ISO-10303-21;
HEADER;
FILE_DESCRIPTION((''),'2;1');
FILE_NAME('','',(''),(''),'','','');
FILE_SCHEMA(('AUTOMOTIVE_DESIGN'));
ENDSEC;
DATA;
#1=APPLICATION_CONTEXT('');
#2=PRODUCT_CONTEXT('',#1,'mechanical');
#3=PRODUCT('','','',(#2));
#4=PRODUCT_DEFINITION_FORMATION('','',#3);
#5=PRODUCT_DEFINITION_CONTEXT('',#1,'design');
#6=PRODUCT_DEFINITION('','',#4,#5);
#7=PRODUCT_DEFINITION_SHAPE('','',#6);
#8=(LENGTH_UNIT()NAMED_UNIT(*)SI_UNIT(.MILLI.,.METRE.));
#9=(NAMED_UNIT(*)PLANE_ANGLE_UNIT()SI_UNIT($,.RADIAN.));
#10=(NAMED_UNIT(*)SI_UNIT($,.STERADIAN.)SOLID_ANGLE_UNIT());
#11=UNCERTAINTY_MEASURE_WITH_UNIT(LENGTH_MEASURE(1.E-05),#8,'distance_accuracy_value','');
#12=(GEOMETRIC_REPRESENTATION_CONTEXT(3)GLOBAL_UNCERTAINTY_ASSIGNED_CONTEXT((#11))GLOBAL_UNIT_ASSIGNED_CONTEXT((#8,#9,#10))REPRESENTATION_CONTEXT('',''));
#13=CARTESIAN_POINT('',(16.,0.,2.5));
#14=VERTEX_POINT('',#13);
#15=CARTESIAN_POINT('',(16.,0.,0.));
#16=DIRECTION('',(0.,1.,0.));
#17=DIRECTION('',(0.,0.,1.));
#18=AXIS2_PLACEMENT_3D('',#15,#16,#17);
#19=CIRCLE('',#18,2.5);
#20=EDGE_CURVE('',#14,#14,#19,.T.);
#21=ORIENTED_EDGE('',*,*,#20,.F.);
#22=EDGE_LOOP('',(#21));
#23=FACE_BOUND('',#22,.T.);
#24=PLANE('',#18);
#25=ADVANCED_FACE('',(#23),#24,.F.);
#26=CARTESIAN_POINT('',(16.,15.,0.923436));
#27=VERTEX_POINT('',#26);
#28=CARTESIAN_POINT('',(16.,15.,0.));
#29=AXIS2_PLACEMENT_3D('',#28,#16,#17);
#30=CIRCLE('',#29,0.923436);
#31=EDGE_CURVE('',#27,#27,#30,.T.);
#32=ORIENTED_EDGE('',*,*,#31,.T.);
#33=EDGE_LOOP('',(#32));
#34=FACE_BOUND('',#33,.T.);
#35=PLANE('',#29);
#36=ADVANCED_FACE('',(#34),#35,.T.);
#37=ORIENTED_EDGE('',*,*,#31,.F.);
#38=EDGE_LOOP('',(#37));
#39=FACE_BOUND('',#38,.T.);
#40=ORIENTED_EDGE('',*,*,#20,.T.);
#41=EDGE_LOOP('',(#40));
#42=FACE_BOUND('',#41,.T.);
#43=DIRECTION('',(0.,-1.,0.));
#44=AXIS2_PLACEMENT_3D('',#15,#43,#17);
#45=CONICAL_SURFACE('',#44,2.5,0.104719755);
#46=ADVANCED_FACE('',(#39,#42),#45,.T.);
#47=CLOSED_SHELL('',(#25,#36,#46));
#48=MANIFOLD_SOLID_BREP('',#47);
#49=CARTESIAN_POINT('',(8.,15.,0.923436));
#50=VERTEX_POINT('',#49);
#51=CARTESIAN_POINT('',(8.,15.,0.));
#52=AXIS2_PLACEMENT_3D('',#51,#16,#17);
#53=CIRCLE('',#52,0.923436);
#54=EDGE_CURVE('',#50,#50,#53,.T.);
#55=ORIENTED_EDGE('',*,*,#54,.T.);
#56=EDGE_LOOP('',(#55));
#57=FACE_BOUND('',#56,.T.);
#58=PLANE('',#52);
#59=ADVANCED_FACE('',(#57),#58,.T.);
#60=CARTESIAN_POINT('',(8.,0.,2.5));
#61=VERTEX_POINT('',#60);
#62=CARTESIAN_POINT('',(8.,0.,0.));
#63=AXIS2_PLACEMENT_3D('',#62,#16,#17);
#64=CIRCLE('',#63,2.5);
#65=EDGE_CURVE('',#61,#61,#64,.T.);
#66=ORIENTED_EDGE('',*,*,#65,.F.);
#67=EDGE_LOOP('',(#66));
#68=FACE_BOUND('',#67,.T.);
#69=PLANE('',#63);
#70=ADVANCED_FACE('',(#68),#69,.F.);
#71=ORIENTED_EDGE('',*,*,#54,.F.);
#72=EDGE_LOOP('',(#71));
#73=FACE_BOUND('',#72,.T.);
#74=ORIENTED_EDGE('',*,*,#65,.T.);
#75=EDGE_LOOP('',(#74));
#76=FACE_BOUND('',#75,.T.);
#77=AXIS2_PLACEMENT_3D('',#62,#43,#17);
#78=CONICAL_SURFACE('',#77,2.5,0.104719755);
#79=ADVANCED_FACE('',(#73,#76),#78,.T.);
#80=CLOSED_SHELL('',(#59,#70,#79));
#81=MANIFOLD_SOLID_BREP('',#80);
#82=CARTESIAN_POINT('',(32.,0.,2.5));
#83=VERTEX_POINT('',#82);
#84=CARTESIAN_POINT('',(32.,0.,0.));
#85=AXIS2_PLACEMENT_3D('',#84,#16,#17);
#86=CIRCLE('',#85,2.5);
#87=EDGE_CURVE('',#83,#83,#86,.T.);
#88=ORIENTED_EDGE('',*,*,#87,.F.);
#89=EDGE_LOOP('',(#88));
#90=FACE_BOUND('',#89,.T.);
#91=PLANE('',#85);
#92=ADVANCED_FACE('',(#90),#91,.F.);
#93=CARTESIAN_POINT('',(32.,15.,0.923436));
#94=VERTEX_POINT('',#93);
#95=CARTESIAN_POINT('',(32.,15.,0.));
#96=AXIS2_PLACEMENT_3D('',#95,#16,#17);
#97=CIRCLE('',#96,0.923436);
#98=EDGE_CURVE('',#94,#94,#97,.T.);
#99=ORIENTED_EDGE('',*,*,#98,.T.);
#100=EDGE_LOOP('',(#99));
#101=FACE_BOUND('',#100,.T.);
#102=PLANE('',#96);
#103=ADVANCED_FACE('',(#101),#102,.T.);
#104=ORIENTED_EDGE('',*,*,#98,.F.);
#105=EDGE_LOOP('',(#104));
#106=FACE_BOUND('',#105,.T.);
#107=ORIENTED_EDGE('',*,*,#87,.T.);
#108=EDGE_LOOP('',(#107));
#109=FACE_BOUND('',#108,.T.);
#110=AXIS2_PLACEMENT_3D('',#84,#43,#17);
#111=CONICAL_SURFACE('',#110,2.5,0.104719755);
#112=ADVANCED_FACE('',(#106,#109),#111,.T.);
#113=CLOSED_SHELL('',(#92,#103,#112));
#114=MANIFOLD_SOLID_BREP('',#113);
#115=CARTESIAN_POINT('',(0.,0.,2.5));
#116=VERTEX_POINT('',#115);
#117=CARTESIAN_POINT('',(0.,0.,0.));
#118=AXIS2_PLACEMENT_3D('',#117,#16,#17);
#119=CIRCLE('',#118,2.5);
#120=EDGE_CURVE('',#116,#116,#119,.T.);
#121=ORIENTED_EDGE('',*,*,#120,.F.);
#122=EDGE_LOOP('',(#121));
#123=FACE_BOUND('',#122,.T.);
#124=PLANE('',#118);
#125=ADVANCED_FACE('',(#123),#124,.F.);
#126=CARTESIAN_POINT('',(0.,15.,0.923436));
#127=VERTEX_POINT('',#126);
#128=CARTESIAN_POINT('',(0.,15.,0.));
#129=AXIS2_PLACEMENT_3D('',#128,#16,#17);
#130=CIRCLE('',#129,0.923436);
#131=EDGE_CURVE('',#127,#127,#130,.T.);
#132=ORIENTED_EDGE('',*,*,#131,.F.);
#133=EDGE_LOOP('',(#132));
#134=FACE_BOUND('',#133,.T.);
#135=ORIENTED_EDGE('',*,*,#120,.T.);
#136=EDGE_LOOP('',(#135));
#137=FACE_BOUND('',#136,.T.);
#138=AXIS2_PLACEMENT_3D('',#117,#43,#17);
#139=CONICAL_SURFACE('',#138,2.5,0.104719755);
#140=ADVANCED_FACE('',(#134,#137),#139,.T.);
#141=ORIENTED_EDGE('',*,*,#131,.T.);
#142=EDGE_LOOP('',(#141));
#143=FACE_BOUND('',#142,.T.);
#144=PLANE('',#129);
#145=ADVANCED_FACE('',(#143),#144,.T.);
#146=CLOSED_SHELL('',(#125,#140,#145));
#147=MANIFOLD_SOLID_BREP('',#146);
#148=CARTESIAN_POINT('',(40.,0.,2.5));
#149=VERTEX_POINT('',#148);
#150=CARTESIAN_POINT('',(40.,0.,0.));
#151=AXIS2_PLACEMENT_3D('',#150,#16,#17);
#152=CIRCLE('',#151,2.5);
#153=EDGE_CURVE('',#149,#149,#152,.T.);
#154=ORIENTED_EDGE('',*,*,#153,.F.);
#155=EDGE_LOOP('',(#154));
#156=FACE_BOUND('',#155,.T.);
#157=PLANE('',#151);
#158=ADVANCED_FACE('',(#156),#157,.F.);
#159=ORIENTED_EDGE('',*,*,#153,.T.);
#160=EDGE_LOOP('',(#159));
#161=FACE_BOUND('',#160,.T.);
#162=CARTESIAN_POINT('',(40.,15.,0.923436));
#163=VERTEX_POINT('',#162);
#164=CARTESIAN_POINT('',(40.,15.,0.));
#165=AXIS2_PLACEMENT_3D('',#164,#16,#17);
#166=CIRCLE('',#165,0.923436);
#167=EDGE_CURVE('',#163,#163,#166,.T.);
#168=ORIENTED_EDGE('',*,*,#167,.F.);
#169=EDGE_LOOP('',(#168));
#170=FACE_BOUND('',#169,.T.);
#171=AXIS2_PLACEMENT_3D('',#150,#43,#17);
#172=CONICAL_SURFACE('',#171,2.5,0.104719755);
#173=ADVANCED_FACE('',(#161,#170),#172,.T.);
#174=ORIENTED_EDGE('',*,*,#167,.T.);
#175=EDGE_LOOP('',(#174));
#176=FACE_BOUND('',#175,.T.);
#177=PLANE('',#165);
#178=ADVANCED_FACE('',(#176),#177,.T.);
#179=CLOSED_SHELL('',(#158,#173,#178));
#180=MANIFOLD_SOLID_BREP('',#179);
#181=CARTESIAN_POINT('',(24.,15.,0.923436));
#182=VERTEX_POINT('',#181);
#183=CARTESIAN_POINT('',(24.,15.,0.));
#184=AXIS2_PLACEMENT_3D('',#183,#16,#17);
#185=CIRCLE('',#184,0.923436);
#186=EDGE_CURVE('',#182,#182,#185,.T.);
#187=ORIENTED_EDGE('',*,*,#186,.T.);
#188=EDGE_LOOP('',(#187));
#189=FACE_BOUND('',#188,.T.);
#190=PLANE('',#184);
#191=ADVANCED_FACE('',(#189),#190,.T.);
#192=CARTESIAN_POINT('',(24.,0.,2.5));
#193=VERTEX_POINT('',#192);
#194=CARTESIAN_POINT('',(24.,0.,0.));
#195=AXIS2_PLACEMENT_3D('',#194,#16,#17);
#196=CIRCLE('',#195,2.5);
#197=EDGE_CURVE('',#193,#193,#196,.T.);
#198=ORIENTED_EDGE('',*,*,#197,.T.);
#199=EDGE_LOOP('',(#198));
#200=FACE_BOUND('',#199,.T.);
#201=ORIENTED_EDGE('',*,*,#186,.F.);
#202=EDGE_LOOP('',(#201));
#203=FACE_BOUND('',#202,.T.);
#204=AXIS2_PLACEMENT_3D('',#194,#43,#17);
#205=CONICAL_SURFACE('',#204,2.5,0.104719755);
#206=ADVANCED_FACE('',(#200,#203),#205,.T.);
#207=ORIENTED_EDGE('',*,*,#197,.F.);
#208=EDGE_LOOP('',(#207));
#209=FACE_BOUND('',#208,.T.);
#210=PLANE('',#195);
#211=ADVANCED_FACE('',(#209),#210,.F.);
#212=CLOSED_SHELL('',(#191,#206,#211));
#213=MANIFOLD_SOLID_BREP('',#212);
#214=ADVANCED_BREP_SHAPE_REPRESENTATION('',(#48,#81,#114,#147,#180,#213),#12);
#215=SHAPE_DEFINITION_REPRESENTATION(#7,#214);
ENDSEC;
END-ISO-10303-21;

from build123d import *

# Parameters (mm, degrees)
SKETCH1_R                     = 2.5
BOSS_EXTRUDE1_DEPTH           = 15
BOSS_EXTRUDE1_DRAFT           = 6
BOSS_EXTRUDE1_PROFILE_2_DEPTH = 15
BOSS_EXTRUDE1_PROFILE_2_DRAFT = 6
BOSS_EXTRUDE1_PROFILE_3_DEPTH = 15
BOSS_EXTRUDE1_PROFILE_3_DRAFT = 6
BOSS_EXTRUDE1_PROFILE_4_DEPTH = 15
BOSS_EXTRUDE1_PROFILE_4_DRAFT = 6
BOSS_EXTRUDE1_PROFILE_5_DEPTH = 15
BOSS_EXTRUDE1_PROFILE_5_DRAFT = 6
BOSS_EXTRUDE1_PROFILE_6_DEPTH = 15
BOSS_EXTRUDE1_PROFILE_6_DRAFT = 6


with BuildPart() as part:
    # Sketch1 → Boss-Extrude1 (with draft: the straight prism first)
    with BuildSketch(Plane(origin=(0, 0, 0), x_dir=(1, 0, 0), z_dir=(0, 1, 0))):
        Circle(SKETCH1_R)
    extrude(amount=BOSS_EXTRUDE1_DEPTH)
    # Boss-Extrude1: the draft: its side faces are tilted about the plane it starts from
    boss_extrude1_sides = [part.faces().sort_by_distance(p)[0] for p in [
        (-2.5, 7.5, 0),
    ]]
    draft(boss_extrude1_sides, Plane(origin=(0, 0, 0), x_dir=(1, 0, 0), z_dir=(0, 1, 0)), BOSS_EXTRUDE1_DRAFT)


with BuildPart() as body_2:
    # Sketch1 → Boss-Extrude1 profile 2 (with draft: the straight prism first)
    with BuildSketch(Plane(origin=(0, 0, 0), x_dir=(1, 0, 0), z_dir=(0, 1, 0))):
        with Locations((8, 0)):
            Circle(SKETCH1_R)
    extrude(amount=BOSS_EXTRUDE1_PROFILE_2_DEPTH)
    # Boss-Extrude1 profile 2: the draft: its side faces are tilted about the plane it starts from
    boss_extrude1_profile_2_sides = [body_2.faces().sort_by_distance(p)[0] for p in [
        (5.5, 7.5, 0),
    ]]
    draft(boss_extrude1_profile_2_sides, Plane(origin=(0, 0, 0), x_dir=(1, 0, 0), z_dir=(0, 1, 0)), BOSS_EXTRUDE1_PROFILE_2_DRAFT)


with BuildPart() as body_3:
    # Sketch1 → Boss-Extrude1 profile 3 (with draft: the straight prism first)
    with BuildSketch(Plane(origin=(0, 0, 0), x_dir=(1, 0, 0), z_dir=(0, 1, 0))):
        with Locations((16, 0)):
            Circle(SKETCH1_R)
    extrude(amount=BOSS_EXTRUDE1_PROFILE_3_DEPTH)
    # Boss-Extrude1 profile 3: the draft: its side faces are tilted about the plane it starts from
    boss_extrude1_profile_3_sides = [body_3.faces().sort_by_distance(p)[0] for p in [
        (13.5, 7.5, 0),
    ]]
    draft(boss_extrude1_profile_3_sides, Plane(origin=(0, 0, 0), x_dir=(1, 0, 0), z_dir=(0, 1, 0)), BOSS_EXTRUDE1_PROFILE_3_DRAFT)


with BuildPart() as body_4:
    # Sketch1 → Boss-Extrude1 profile 4 (with draft: the straight prism first)
    with BuildSketch(Plane(origin=(0, 0, 0), x_dir=(1, 0, 0), z_dir=(0, 1, 0))):
        with Locations((24, 0)):
            Circle(SKETCH1_R)
    extrude(amount=BOSS_EXTRUDE1_PROFILE_4_DEPTH)
    # Boss-Extrude1 profile 4: the draft: its side faces are tilted about the plane it starts from
    boss_extrude1_profile_4_sides = [body_4.faces().sort_by_distance(p)[0] for p in [
        (21.5, 7.5, 0),
    ]]
    draft(boss_extrude1_profile_4_sides, Plane(origin=(0, 0, 0), x_dir=(1, 0, 0), z_dir=(0, 1, 0)), BOSS_EXTRUDE1_PROFILE_4_DRAFT)


with BuildPart() as body_5:
    # Sketch1 → Boss-Extrude1 profile 5 (with draft: the straight prism first)
    with BuildSketch(Plane(origin=(0, 0, 0), x_dir=(1, 0, 0), z_dir=(0, 1, 0))):
        with Locations((32, 0)):
            Circle(SKETCH1_R)
    extrude(amount=BOSS_EXTRUDE1_PROFILE_5_DEPTH)
    # Boss-Extrude1 profile 5: the draft: its side faces are tilted about the plane it starts from
    boss_extrude1_profile_5_sides = [body_5.faces().sort_by_distance(p)[0] for p in [
        (29.5, 7.5, 0),
    ]]
    draft(boss_extrude1_profile_5_sides, Plane(origin=(0, 0, 0), x_dir=(1, 0, 0), z_dir=(0, 1, 0)), BOSS_EXTRUDE1_PROFILE_5_DRAFT)


with BuildPart() as body_6:
    # Sketch1 → Boss-Extrude1 profile 6 (with draft: the straight prism first)
    with BuildSketch(Plane(origin=(0, 0, 0), x_dir=(1, 0, 0), z_dir=(0, 1, 0))):
        with Locations((40, 0)):
            Circle(SKETCH1_R)
    extrude(amount=BOSS_EXTRUDE1_PROFILE_6_DEPTH)
    # Boss-Extrude1 profile 6: the draft: its side faces are tilted about the plane it starts from
    boss_extrude1_profile_6_sides = [body_6.faces().sort_by_distance(p)[0] for p in [
        (37.5, 7.5, 0),
    ]]
    draft(boss_extrude1_profile_6_sides, Plane(origin=(0, 0, 0), x_dir=(1, 0, 0), z_dir=(0, 1, 0)), BOSS_EXTRUDE1_PROFILE_6_DRAFT)


solid = Compound([part.part, body_2.part, body_3.part, body_4.part, body_5.part, body_6.part])
